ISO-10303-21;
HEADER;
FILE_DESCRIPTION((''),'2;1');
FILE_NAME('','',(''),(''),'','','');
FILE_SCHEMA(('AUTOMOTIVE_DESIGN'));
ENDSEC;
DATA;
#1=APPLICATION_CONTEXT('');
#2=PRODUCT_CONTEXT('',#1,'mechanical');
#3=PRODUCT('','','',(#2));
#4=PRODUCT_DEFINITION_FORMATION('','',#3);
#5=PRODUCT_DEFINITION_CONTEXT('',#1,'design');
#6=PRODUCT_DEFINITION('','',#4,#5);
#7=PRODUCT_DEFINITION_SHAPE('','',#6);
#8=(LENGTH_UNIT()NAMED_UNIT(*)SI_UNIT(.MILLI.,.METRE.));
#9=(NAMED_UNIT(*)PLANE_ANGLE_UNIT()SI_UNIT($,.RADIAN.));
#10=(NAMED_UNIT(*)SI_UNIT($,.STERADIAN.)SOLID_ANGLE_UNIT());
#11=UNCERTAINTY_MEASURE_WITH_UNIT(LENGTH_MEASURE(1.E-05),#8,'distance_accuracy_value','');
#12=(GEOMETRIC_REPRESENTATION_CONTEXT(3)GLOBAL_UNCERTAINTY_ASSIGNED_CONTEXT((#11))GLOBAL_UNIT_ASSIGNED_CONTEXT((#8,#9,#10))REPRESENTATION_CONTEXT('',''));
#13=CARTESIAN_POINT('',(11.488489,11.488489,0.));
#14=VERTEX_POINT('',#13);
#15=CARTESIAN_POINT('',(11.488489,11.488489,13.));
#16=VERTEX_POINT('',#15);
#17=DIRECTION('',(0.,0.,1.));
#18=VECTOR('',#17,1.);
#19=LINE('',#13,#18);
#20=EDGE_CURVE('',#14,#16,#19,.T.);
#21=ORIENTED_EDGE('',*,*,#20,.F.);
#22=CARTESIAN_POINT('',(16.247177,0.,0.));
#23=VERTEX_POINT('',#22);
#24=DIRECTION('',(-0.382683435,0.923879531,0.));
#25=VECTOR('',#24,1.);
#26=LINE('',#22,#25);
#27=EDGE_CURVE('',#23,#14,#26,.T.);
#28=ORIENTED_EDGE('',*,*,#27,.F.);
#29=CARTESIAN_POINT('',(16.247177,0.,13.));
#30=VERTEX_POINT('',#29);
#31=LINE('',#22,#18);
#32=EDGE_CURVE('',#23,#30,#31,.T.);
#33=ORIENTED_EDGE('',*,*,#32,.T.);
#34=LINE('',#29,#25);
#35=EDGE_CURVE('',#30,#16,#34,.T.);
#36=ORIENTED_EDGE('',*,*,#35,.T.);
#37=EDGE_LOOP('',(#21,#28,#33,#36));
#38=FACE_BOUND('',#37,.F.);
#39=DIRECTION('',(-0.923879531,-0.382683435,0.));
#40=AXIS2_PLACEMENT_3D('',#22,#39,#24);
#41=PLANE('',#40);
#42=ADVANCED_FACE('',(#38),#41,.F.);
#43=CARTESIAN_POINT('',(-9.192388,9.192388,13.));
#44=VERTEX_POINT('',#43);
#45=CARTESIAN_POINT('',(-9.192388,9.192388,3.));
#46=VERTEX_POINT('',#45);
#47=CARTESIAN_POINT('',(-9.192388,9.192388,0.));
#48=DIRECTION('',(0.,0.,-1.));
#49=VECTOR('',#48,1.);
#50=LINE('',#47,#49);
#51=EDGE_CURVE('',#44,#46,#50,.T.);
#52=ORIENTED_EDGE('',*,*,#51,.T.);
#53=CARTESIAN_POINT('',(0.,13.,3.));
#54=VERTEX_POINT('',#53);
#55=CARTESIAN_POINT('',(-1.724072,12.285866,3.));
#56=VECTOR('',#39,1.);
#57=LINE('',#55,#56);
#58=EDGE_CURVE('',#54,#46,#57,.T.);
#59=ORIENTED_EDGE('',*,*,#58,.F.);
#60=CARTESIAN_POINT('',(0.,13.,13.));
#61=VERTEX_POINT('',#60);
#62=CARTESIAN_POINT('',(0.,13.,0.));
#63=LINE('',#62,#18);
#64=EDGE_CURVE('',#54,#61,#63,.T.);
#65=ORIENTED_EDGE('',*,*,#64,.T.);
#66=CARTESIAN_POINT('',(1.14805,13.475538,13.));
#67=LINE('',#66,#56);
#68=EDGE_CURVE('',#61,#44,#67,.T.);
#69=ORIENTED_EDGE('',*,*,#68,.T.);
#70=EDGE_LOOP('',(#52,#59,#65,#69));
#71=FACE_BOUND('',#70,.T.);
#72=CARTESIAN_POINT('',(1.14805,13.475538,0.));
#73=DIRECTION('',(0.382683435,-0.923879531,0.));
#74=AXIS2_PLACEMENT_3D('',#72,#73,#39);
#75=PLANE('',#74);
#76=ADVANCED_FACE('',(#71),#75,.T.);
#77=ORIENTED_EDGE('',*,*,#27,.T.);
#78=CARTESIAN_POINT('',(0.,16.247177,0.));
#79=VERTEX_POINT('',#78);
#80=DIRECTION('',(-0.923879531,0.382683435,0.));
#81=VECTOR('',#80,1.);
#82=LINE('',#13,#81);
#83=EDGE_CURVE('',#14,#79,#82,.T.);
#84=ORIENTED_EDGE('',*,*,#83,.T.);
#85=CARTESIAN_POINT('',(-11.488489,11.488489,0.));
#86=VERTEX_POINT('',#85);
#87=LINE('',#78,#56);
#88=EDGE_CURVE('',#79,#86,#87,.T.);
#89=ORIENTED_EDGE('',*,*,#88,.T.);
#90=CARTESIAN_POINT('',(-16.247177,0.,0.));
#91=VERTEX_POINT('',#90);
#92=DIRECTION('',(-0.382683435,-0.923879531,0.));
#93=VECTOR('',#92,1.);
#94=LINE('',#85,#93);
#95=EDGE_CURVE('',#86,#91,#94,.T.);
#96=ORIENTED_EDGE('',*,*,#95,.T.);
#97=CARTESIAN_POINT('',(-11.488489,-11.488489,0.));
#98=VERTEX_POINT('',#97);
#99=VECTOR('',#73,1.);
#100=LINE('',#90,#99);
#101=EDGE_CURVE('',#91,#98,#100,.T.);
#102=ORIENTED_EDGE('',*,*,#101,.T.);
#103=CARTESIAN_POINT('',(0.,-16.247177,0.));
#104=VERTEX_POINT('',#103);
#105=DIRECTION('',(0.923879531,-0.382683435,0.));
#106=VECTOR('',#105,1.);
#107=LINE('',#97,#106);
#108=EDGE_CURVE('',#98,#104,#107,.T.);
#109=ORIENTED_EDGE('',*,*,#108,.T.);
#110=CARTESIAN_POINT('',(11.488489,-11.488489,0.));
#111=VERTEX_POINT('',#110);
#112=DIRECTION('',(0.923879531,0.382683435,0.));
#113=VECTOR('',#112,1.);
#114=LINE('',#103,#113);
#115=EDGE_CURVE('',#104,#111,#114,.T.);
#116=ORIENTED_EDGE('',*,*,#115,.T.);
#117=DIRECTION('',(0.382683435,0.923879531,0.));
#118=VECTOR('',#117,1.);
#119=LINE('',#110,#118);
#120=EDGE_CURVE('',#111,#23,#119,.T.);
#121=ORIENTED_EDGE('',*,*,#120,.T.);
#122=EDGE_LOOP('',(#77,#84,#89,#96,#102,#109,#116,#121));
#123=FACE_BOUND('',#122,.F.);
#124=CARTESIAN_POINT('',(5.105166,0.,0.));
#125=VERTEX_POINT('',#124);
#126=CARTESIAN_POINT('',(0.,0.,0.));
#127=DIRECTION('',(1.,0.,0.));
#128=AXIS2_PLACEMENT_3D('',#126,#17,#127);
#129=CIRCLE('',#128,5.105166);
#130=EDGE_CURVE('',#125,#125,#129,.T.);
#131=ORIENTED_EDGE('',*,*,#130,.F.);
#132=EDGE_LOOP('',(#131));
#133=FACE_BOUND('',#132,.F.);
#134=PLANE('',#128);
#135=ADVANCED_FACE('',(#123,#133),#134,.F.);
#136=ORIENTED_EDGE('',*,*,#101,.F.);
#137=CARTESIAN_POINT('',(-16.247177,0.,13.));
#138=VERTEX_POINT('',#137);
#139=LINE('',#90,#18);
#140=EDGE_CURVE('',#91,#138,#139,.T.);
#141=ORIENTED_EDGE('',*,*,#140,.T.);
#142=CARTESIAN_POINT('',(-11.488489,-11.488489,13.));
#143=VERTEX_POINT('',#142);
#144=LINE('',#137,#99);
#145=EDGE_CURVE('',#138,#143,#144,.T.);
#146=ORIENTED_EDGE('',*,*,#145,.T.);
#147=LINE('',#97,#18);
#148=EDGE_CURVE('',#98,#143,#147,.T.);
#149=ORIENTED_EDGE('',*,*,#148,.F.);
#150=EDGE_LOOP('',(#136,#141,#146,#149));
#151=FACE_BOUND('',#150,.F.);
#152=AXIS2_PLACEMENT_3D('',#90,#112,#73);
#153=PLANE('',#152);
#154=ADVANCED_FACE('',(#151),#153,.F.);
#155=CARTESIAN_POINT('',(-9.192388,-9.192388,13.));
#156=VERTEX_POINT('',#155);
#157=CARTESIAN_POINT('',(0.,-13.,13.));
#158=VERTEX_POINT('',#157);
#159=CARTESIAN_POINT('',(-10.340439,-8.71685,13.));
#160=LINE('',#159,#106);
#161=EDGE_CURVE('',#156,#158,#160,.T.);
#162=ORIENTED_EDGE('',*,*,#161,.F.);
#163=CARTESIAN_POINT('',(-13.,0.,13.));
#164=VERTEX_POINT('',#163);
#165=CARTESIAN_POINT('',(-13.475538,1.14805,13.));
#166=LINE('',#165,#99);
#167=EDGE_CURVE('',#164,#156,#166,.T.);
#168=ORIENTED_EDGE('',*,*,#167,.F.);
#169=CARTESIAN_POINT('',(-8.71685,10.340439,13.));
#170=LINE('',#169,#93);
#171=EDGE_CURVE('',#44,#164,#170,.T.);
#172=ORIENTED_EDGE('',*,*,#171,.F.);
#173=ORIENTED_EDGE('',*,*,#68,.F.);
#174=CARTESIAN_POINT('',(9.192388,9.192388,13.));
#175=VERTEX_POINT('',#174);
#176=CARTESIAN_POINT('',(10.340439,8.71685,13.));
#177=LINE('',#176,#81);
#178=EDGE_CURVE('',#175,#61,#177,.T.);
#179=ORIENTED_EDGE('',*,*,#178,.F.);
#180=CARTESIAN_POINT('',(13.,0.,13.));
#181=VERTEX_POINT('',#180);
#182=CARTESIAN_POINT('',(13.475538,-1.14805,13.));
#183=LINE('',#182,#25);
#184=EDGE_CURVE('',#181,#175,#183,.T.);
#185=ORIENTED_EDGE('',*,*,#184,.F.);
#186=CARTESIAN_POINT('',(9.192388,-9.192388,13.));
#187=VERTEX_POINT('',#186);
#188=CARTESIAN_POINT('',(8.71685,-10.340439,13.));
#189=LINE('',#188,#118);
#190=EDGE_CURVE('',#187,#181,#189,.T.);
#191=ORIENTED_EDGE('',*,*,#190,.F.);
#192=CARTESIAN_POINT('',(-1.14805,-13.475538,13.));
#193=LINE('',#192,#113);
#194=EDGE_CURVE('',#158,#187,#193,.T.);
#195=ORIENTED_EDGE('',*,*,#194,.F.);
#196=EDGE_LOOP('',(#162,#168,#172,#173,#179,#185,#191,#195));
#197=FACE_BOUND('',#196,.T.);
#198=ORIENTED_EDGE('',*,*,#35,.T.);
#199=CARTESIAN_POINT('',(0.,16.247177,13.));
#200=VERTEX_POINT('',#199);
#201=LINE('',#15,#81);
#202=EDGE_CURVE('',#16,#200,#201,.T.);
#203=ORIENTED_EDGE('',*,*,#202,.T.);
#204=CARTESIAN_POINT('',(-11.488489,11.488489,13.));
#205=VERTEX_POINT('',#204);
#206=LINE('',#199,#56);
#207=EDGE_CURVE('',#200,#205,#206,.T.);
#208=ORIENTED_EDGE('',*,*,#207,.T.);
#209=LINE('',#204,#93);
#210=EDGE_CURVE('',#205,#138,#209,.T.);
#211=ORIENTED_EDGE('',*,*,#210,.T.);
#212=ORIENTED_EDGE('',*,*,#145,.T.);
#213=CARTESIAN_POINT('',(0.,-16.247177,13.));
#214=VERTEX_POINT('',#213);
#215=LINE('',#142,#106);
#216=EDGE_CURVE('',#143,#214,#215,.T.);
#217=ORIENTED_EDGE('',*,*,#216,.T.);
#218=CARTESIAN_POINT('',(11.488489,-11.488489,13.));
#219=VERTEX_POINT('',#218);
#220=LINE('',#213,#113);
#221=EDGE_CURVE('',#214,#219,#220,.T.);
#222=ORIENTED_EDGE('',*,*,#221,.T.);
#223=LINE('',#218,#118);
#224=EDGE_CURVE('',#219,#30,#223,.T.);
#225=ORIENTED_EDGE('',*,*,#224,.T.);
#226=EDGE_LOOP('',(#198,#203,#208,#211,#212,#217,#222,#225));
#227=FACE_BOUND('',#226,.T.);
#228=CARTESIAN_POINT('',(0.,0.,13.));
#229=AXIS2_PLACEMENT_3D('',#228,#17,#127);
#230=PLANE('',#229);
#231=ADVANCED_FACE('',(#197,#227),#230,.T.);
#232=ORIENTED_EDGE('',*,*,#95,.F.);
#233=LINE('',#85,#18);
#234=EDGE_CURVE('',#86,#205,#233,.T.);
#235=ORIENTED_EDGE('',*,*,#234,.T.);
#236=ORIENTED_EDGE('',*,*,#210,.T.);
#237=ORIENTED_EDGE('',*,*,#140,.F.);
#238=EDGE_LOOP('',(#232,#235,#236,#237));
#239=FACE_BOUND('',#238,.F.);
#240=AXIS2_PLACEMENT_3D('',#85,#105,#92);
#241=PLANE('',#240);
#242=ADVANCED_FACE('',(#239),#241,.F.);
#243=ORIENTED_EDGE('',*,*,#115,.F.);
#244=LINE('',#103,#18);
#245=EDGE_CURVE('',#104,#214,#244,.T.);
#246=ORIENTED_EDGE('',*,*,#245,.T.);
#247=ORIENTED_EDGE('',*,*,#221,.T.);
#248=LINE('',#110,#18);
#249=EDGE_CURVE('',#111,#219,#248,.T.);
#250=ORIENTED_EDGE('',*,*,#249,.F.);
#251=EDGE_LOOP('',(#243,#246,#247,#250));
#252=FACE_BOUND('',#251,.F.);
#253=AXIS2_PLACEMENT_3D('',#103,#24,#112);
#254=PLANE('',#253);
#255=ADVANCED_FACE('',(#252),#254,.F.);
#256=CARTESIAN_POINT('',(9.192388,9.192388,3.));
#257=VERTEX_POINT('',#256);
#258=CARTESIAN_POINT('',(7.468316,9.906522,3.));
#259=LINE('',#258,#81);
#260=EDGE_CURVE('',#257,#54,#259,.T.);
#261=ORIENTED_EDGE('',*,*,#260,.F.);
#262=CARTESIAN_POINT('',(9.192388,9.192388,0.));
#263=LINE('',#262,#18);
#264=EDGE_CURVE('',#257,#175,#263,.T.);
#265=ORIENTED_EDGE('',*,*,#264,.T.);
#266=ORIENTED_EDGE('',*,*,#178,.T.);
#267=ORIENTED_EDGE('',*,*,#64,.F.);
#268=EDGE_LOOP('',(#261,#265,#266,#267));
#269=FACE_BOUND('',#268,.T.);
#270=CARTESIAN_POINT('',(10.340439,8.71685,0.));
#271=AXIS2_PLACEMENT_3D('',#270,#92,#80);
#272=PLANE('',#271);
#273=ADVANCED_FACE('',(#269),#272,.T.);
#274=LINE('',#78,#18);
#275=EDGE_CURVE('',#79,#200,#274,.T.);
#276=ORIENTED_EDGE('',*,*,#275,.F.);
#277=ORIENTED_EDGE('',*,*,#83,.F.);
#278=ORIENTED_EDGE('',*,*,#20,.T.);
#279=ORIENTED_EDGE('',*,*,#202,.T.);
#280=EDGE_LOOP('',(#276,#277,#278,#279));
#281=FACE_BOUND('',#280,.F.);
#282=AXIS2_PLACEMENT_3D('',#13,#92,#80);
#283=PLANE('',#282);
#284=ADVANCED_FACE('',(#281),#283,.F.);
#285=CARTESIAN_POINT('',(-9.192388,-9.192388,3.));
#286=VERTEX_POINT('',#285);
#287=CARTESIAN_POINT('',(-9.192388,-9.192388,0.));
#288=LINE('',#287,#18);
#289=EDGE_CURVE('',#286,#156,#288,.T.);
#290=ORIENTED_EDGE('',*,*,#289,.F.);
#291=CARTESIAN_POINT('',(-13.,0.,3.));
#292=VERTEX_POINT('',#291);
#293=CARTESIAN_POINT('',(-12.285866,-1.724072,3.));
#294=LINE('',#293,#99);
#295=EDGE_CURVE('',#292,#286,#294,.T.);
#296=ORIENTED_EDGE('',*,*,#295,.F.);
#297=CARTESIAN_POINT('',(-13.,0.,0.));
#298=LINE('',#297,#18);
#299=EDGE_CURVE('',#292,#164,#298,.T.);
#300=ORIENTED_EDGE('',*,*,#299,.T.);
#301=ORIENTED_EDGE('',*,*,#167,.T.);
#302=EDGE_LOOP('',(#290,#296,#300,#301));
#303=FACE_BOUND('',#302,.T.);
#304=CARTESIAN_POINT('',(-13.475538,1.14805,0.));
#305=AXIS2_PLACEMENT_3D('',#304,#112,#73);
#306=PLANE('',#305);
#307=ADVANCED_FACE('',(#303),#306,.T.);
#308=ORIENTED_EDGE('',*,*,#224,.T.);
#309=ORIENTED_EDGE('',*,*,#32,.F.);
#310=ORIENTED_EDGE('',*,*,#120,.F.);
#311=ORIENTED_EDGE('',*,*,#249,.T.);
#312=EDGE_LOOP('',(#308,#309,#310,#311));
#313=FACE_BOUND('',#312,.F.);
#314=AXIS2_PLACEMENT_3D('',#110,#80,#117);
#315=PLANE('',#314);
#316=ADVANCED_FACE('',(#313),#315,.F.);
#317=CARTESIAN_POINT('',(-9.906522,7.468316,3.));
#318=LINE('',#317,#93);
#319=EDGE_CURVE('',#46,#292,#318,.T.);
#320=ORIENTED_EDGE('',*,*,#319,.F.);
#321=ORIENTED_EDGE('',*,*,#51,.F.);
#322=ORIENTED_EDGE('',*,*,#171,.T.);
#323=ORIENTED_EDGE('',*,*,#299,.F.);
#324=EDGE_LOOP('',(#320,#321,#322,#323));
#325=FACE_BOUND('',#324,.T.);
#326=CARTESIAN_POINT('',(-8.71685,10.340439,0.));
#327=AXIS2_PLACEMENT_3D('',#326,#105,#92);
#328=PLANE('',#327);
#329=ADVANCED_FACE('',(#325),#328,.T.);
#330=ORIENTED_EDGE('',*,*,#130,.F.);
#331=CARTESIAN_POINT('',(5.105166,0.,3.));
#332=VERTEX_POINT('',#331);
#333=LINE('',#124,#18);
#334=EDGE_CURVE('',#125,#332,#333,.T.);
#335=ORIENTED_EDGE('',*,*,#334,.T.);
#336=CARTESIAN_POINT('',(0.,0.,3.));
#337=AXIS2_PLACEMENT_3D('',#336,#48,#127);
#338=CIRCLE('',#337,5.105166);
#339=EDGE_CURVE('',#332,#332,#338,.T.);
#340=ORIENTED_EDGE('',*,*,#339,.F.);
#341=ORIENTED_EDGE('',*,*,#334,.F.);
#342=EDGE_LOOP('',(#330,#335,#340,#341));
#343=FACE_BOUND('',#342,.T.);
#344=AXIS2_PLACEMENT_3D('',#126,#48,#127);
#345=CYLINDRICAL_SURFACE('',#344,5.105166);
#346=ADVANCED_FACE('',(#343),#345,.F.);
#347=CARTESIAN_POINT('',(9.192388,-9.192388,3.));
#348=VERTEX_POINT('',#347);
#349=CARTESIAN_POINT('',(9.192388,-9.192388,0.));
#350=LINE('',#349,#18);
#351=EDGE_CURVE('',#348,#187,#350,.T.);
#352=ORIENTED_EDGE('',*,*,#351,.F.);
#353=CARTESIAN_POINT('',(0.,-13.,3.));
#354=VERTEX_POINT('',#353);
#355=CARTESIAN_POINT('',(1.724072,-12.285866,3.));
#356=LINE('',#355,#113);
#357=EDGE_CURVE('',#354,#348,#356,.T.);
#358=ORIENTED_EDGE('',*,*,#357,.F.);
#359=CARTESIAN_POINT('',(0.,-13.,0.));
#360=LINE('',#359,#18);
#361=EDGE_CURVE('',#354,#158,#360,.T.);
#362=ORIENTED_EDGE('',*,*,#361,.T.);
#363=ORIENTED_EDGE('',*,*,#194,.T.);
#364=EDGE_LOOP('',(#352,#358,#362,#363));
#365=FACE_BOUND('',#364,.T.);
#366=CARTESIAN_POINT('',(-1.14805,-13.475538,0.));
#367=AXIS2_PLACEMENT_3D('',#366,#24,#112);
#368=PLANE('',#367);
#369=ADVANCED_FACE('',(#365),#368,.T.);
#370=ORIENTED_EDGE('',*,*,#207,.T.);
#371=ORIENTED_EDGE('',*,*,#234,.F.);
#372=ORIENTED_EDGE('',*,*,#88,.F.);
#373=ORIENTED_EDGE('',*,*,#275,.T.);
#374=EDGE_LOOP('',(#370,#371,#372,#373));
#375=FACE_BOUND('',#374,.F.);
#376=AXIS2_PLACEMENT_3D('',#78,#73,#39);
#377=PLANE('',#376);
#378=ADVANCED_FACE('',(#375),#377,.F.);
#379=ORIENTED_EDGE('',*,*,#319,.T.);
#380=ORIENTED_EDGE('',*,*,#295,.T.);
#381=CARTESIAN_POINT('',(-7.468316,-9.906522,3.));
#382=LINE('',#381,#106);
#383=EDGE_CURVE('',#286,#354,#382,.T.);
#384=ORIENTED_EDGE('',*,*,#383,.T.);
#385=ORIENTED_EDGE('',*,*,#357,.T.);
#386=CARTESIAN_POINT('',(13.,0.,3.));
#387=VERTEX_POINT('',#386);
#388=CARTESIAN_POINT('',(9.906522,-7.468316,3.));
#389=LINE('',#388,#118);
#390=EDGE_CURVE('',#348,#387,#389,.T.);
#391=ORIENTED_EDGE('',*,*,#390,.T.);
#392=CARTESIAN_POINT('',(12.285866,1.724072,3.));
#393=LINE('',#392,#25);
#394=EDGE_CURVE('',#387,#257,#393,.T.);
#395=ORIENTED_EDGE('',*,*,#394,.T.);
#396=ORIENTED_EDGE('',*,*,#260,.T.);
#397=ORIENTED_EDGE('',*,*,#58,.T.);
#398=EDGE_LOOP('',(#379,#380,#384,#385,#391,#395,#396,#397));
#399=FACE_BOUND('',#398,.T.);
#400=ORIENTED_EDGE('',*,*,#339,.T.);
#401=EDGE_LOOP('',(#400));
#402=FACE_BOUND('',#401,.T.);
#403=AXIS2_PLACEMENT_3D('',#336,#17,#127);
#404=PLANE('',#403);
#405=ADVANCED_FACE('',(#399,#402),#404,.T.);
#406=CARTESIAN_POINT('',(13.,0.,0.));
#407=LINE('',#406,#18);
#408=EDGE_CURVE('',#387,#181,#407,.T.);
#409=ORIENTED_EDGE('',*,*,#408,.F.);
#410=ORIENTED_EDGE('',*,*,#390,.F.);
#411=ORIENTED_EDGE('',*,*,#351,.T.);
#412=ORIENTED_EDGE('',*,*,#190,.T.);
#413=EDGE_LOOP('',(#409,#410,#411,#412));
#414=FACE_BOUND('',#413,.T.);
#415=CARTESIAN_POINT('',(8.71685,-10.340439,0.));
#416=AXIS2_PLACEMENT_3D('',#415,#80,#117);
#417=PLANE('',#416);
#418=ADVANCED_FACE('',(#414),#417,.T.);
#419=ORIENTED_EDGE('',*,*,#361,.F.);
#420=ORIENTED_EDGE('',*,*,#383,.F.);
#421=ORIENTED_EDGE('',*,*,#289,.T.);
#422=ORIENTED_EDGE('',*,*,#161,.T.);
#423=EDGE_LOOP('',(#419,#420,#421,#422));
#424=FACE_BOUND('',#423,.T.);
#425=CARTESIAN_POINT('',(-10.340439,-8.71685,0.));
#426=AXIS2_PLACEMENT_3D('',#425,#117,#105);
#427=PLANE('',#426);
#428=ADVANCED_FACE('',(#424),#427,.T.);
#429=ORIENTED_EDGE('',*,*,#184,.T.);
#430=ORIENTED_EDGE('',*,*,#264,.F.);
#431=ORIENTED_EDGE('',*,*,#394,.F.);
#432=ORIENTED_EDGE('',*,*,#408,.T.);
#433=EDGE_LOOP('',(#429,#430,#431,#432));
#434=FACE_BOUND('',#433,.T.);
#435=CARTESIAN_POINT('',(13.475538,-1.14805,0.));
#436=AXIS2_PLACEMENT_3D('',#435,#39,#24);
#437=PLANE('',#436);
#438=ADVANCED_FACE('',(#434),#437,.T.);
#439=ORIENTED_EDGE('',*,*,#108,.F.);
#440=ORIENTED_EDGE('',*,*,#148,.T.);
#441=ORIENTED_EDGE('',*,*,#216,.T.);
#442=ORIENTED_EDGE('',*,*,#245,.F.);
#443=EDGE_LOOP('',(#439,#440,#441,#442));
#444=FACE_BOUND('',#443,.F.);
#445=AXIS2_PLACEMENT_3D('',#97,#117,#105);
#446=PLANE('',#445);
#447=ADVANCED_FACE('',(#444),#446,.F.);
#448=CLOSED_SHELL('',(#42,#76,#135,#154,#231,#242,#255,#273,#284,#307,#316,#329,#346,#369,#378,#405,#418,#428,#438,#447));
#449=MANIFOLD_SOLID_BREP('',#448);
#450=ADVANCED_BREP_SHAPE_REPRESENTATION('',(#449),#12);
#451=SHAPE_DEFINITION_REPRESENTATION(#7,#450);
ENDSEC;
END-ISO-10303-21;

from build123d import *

# Parameters (mm, degrees)
F2_DEPTH = 13
F3_T     = -3
F4_R     = 5.105166
F5_DEPTH = 25


with BuildPart() as f2:
    # F1 (on Top) → F2 (new body)
    with BuildSketch(Plane.XY):
        Polygon((-11.488489, 11.488489), (-16.247177, 0), (-11.488489, -11.488489), (0, -16.247177), (11.488489, -11.488489), (16.247177, 0), (11.488489, 11.488489), (0, 16.247177), align=None)
    extrude(amount=F2_DEPTH)

    # F3
    f3_openings = [f2.faces().sort_by_distance(p)[0] for p in [
        (0, 0, 13),
    ]]
    offset(amount=F3_T, openings=f3_openings)

    # F4 (on Top) → F5 (cut)
    with BuildSketch(Plane.XY):
        Circle(F4_R)
    extrude(amount=F5_DEPTH, mode=Mode.SUBTRACT)


solid = f2.part
